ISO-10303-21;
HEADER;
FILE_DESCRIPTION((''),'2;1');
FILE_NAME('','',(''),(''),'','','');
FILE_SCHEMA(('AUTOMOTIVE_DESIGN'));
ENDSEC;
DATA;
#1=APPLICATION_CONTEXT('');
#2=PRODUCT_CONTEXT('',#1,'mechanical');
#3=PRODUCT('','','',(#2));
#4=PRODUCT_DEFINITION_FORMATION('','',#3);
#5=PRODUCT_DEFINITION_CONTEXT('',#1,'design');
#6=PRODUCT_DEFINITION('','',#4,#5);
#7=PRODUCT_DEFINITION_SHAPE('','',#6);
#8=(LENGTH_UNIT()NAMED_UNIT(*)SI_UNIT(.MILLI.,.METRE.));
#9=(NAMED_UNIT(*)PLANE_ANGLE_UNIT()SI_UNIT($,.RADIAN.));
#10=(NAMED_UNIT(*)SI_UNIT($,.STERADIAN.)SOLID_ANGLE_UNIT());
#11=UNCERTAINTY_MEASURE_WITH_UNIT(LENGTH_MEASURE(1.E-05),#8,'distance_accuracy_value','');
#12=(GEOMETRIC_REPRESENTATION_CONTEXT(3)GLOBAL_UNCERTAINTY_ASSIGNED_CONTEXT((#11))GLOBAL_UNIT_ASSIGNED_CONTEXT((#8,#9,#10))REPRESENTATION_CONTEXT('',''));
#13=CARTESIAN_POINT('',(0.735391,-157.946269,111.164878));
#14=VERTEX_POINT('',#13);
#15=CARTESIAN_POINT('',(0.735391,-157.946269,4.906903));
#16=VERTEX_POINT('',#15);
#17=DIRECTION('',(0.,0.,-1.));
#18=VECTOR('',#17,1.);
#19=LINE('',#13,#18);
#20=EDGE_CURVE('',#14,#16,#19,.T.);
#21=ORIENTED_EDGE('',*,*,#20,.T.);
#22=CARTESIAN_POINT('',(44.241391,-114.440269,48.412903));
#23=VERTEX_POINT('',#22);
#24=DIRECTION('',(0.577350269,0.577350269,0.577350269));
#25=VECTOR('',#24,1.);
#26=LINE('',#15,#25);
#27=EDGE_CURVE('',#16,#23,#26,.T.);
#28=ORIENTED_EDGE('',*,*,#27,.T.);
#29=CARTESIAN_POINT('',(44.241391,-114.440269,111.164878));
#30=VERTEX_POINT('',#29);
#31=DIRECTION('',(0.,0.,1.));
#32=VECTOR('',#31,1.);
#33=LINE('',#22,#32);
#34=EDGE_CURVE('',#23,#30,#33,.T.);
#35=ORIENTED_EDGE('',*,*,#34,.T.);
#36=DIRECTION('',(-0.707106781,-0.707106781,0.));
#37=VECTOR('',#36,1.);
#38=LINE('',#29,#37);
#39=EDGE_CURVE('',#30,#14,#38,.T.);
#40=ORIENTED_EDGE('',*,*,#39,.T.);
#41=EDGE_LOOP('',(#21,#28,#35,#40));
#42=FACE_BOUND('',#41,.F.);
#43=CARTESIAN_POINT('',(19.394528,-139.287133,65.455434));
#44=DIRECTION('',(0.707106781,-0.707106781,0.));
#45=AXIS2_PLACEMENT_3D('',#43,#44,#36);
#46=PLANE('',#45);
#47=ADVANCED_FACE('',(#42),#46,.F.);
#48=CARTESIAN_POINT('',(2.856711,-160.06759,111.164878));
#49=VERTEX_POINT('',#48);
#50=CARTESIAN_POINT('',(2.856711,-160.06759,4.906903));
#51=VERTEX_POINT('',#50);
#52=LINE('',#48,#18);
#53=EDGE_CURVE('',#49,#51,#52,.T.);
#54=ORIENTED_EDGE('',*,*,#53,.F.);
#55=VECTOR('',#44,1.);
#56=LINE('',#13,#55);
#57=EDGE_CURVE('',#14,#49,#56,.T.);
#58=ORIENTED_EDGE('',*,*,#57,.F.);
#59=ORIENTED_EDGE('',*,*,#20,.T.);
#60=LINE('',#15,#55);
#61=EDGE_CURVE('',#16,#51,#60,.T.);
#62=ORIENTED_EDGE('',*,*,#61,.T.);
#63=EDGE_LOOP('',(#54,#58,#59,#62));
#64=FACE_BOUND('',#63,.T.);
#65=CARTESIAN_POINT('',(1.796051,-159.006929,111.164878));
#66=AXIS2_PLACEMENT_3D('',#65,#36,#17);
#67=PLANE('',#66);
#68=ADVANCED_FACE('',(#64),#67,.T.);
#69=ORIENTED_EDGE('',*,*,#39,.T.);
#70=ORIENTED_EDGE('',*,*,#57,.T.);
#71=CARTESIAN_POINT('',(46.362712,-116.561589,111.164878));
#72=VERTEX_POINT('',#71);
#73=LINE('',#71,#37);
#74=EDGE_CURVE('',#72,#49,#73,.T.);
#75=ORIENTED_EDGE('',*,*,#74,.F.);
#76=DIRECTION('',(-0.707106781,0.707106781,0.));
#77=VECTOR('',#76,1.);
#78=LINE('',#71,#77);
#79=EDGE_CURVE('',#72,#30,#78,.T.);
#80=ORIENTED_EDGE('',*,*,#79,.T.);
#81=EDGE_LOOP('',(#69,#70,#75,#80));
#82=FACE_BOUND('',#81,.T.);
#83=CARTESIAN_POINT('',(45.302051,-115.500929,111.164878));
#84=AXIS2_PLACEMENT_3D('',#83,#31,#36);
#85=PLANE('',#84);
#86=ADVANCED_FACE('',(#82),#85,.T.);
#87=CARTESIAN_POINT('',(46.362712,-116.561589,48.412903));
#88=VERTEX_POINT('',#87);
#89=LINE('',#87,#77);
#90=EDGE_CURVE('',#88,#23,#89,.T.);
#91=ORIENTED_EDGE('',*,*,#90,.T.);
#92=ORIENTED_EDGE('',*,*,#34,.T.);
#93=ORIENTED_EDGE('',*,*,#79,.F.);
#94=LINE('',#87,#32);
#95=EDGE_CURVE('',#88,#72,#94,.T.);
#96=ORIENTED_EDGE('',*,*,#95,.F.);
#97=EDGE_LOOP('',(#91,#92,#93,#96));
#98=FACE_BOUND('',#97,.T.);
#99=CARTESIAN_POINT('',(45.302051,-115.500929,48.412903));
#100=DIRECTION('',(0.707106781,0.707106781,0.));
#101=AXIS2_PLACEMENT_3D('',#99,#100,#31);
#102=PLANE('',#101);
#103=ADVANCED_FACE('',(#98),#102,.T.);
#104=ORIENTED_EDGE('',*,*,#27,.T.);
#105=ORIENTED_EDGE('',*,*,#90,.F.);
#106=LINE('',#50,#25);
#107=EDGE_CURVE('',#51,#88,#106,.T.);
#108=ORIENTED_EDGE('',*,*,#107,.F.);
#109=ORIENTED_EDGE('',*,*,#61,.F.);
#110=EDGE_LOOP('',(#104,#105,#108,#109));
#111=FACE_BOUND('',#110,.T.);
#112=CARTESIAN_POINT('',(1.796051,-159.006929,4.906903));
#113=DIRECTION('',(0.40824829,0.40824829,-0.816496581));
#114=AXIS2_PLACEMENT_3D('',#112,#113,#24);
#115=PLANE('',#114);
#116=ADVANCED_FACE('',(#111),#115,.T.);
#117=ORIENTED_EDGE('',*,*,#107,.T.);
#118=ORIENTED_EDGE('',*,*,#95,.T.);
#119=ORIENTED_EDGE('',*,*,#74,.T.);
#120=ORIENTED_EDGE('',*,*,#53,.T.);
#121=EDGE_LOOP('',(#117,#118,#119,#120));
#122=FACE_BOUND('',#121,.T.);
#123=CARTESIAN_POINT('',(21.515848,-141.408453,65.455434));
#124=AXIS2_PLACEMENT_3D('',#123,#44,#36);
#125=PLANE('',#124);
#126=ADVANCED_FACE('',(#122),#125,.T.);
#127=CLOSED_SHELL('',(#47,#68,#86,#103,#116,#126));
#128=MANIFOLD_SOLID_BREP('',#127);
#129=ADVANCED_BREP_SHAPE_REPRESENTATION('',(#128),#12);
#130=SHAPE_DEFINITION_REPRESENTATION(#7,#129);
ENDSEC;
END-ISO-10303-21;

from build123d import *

# Parameters (mm, degrees)
BOSS_EXTRUDE2_DEPTH = 1.5


with BuildPart() as part:
    # Sketch2 → Boss-Extrude2 (new body, symmetric)
    with BuildSketch(Plane(origin=(80.401490288, -80.401490288, 0), x_dir=(-0.707106781, -0.707106781, 0), z_dir=(0.707106781, -0.707106781, 0))):
        Polygon((49.638102576, -111.164878), (111.164878, -111.164878), (111.164878, -4.906903198), (49.638102576, -48.412903325), align=None)
    extrude(amount=BOSS_EXTRUDE2_DEPTH, both=True)


solid = part.part
